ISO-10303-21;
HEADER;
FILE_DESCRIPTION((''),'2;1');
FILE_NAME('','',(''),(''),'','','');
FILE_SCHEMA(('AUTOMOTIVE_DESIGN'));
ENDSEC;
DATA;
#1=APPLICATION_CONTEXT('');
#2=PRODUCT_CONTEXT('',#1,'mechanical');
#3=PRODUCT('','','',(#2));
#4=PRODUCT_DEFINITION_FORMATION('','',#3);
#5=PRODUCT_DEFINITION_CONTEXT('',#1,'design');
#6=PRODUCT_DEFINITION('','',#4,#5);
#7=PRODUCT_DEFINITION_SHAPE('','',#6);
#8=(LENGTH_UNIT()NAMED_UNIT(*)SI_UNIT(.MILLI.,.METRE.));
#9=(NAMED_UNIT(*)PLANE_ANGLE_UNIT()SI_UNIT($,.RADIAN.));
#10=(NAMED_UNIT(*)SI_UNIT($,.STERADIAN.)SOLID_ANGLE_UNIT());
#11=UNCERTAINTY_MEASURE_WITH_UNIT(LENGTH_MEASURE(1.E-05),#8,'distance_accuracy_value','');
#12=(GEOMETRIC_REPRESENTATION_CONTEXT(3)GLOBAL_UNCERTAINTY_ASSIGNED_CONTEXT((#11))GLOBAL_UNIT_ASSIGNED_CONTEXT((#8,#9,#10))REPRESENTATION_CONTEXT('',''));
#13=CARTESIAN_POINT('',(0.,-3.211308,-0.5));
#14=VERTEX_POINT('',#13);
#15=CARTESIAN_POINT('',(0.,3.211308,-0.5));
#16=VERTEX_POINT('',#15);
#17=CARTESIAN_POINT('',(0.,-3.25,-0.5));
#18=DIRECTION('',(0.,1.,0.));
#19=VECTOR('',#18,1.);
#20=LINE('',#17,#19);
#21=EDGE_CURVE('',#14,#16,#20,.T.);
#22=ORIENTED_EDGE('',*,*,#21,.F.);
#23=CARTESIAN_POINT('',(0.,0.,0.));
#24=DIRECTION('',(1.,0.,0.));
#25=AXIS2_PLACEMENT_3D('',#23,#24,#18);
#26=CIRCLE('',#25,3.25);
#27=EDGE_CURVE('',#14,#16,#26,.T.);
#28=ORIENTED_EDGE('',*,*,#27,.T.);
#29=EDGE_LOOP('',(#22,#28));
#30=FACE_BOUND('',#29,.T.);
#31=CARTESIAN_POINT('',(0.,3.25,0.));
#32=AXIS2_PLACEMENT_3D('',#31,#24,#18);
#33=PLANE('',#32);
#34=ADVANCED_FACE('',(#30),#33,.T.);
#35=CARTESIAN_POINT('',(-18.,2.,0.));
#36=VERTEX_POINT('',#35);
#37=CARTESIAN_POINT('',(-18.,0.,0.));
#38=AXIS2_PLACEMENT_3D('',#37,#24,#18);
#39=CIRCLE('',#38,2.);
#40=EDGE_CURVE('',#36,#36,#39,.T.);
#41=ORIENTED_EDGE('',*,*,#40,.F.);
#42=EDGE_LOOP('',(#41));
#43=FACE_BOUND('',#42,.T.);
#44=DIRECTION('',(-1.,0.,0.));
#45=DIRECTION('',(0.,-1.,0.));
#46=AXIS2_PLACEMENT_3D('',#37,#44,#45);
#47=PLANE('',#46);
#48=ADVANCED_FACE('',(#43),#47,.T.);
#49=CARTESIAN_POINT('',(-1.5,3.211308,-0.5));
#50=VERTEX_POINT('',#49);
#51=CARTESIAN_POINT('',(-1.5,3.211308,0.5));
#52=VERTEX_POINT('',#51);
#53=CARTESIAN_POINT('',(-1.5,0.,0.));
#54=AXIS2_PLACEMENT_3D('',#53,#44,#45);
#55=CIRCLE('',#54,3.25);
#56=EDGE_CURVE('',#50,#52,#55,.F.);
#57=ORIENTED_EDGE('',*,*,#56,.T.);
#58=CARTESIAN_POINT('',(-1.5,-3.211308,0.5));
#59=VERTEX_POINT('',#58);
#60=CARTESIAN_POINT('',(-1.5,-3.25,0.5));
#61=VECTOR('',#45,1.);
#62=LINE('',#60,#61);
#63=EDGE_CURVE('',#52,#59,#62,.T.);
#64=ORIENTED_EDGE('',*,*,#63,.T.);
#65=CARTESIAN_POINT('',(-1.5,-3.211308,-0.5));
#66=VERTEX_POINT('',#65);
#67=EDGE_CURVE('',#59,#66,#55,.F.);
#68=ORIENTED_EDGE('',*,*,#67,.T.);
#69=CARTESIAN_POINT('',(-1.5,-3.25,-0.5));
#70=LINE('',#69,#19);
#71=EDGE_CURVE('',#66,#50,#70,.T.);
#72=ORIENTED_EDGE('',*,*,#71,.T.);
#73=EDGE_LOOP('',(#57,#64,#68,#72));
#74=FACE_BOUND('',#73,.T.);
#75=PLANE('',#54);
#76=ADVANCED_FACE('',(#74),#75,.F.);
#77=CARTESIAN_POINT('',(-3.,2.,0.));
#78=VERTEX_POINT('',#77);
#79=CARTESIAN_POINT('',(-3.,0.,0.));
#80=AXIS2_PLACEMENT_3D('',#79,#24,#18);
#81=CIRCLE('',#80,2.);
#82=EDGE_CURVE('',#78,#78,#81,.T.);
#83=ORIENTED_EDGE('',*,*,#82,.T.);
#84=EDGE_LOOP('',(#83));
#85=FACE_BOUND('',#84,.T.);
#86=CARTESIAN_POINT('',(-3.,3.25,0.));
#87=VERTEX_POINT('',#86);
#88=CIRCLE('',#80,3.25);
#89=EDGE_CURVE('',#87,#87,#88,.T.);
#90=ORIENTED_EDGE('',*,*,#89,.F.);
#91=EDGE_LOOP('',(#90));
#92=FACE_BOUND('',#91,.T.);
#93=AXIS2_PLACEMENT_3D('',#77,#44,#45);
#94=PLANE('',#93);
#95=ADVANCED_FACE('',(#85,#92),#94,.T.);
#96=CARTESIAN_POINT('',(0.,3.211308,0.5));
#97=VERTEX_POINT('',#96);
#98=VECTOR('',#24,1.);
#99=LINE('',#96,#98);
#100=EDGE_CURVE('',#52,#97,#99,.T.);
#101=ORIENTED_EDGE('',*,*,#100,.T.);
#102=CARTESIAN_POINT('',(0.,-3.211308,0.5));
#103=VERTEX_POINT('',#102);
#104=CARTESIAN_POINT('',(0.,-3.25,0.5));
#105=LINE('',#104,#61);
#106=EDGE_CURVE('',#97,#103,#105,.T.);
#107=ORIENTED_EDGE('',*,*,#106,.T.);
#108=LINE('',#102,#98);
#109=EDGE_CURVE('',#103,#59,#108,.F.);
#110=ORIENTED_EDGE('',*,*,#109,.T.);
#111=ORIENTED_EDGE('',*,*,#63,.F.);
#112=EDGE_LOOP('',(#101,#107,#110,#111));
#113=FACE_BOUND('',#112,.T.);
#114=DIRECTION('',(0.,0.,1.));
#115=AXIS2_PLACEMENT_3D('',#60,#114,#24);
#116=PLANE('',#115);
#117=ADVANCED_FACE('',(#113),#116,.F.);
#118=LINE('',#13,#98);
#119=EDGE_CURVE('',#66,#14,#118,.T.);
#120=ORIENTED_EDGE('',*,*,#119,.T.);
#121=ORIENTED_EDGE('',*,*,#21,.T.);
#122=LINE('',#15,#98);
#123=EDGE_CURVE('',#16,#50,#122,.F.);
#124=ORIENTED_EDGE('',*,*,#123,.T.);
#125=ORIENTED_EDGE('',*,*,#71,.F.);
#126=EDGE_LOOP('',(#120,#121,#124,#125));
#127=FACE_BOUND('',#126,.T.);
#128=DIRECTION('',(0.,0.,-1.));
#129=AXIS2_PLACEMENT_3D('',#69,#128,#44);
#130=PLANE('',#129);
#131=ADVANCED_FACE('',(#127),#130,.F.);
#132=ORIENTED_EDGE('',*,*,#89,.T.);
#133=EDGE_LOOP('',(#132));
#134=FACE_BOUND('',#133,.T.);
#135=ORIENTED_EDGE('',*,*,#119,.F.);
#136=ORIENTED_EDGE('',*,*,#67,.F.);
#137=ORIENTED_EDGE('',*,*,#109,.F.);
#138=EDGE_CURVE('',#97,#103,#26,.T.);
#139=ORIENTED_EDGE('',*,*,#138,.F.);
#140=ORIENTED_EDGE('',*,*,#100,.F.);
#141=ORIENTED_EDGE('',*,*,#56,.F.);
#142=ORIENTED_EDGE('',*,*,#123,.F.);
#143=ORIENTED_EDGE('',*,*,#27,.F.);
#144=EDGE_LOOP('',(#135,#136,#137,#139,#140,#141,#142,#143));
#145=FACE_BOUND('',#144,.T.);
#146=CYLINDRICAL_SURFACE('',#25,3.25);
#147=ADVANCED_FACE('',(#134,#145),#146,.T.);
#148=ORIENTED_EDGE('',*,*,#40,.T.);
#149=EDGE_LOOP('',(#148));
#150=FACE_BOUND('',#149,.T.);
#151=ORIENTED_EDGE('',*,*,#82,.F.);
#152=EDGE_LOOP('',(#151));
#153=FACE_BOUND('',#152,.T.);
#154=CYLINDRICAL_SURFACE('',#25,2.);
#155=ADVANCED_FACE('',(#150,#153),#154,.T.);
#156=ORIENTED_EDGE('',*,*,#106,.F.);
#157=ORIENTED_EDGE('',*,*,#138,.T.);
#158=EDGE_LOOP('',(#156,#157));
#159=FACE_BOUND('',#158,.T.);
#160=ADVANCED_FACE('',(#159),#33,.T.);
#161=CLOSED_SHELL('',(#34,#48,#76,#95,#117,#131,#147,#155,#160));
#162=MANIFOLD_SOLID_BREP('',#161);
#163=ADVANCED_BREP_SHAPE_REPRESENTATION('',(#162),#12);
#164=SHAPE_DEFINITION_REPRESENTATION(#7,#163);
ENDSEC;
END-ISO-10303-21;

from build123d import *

# Parameters (mm, degrees)
SKETCH2_W          = 1
SKETCH2_H          = 6.5
CUT_EXTRUDE1_DEPTH = 1.5


with BuildPart() as part:
    # Sketch1 → Revolve1 (revolve)
    with BuildSketch(Plane.XY):
        Polygon((0, 0), (-18, 0), (-18, 2), (-3, 2), (-3, 3.25), (0, 3.25), align=None)
    revolve(axis=Axis((0, 0, 0), (-1, 0, 0)))

    # Sketch2 → Cut-Extrude1 (cut)
    with BuildSketch(Plane(origin=(0, 0, 0), x_dir=(0, 0, -1), z_dir=(1, 0, 0))):
        Rectangle(SKETCH2_W, SKETCH2_H)
    extrude(amount=-CUT_EXTRUDE1_DEPTH, mode=Mode.SUBTRACT)


solid = part.part
